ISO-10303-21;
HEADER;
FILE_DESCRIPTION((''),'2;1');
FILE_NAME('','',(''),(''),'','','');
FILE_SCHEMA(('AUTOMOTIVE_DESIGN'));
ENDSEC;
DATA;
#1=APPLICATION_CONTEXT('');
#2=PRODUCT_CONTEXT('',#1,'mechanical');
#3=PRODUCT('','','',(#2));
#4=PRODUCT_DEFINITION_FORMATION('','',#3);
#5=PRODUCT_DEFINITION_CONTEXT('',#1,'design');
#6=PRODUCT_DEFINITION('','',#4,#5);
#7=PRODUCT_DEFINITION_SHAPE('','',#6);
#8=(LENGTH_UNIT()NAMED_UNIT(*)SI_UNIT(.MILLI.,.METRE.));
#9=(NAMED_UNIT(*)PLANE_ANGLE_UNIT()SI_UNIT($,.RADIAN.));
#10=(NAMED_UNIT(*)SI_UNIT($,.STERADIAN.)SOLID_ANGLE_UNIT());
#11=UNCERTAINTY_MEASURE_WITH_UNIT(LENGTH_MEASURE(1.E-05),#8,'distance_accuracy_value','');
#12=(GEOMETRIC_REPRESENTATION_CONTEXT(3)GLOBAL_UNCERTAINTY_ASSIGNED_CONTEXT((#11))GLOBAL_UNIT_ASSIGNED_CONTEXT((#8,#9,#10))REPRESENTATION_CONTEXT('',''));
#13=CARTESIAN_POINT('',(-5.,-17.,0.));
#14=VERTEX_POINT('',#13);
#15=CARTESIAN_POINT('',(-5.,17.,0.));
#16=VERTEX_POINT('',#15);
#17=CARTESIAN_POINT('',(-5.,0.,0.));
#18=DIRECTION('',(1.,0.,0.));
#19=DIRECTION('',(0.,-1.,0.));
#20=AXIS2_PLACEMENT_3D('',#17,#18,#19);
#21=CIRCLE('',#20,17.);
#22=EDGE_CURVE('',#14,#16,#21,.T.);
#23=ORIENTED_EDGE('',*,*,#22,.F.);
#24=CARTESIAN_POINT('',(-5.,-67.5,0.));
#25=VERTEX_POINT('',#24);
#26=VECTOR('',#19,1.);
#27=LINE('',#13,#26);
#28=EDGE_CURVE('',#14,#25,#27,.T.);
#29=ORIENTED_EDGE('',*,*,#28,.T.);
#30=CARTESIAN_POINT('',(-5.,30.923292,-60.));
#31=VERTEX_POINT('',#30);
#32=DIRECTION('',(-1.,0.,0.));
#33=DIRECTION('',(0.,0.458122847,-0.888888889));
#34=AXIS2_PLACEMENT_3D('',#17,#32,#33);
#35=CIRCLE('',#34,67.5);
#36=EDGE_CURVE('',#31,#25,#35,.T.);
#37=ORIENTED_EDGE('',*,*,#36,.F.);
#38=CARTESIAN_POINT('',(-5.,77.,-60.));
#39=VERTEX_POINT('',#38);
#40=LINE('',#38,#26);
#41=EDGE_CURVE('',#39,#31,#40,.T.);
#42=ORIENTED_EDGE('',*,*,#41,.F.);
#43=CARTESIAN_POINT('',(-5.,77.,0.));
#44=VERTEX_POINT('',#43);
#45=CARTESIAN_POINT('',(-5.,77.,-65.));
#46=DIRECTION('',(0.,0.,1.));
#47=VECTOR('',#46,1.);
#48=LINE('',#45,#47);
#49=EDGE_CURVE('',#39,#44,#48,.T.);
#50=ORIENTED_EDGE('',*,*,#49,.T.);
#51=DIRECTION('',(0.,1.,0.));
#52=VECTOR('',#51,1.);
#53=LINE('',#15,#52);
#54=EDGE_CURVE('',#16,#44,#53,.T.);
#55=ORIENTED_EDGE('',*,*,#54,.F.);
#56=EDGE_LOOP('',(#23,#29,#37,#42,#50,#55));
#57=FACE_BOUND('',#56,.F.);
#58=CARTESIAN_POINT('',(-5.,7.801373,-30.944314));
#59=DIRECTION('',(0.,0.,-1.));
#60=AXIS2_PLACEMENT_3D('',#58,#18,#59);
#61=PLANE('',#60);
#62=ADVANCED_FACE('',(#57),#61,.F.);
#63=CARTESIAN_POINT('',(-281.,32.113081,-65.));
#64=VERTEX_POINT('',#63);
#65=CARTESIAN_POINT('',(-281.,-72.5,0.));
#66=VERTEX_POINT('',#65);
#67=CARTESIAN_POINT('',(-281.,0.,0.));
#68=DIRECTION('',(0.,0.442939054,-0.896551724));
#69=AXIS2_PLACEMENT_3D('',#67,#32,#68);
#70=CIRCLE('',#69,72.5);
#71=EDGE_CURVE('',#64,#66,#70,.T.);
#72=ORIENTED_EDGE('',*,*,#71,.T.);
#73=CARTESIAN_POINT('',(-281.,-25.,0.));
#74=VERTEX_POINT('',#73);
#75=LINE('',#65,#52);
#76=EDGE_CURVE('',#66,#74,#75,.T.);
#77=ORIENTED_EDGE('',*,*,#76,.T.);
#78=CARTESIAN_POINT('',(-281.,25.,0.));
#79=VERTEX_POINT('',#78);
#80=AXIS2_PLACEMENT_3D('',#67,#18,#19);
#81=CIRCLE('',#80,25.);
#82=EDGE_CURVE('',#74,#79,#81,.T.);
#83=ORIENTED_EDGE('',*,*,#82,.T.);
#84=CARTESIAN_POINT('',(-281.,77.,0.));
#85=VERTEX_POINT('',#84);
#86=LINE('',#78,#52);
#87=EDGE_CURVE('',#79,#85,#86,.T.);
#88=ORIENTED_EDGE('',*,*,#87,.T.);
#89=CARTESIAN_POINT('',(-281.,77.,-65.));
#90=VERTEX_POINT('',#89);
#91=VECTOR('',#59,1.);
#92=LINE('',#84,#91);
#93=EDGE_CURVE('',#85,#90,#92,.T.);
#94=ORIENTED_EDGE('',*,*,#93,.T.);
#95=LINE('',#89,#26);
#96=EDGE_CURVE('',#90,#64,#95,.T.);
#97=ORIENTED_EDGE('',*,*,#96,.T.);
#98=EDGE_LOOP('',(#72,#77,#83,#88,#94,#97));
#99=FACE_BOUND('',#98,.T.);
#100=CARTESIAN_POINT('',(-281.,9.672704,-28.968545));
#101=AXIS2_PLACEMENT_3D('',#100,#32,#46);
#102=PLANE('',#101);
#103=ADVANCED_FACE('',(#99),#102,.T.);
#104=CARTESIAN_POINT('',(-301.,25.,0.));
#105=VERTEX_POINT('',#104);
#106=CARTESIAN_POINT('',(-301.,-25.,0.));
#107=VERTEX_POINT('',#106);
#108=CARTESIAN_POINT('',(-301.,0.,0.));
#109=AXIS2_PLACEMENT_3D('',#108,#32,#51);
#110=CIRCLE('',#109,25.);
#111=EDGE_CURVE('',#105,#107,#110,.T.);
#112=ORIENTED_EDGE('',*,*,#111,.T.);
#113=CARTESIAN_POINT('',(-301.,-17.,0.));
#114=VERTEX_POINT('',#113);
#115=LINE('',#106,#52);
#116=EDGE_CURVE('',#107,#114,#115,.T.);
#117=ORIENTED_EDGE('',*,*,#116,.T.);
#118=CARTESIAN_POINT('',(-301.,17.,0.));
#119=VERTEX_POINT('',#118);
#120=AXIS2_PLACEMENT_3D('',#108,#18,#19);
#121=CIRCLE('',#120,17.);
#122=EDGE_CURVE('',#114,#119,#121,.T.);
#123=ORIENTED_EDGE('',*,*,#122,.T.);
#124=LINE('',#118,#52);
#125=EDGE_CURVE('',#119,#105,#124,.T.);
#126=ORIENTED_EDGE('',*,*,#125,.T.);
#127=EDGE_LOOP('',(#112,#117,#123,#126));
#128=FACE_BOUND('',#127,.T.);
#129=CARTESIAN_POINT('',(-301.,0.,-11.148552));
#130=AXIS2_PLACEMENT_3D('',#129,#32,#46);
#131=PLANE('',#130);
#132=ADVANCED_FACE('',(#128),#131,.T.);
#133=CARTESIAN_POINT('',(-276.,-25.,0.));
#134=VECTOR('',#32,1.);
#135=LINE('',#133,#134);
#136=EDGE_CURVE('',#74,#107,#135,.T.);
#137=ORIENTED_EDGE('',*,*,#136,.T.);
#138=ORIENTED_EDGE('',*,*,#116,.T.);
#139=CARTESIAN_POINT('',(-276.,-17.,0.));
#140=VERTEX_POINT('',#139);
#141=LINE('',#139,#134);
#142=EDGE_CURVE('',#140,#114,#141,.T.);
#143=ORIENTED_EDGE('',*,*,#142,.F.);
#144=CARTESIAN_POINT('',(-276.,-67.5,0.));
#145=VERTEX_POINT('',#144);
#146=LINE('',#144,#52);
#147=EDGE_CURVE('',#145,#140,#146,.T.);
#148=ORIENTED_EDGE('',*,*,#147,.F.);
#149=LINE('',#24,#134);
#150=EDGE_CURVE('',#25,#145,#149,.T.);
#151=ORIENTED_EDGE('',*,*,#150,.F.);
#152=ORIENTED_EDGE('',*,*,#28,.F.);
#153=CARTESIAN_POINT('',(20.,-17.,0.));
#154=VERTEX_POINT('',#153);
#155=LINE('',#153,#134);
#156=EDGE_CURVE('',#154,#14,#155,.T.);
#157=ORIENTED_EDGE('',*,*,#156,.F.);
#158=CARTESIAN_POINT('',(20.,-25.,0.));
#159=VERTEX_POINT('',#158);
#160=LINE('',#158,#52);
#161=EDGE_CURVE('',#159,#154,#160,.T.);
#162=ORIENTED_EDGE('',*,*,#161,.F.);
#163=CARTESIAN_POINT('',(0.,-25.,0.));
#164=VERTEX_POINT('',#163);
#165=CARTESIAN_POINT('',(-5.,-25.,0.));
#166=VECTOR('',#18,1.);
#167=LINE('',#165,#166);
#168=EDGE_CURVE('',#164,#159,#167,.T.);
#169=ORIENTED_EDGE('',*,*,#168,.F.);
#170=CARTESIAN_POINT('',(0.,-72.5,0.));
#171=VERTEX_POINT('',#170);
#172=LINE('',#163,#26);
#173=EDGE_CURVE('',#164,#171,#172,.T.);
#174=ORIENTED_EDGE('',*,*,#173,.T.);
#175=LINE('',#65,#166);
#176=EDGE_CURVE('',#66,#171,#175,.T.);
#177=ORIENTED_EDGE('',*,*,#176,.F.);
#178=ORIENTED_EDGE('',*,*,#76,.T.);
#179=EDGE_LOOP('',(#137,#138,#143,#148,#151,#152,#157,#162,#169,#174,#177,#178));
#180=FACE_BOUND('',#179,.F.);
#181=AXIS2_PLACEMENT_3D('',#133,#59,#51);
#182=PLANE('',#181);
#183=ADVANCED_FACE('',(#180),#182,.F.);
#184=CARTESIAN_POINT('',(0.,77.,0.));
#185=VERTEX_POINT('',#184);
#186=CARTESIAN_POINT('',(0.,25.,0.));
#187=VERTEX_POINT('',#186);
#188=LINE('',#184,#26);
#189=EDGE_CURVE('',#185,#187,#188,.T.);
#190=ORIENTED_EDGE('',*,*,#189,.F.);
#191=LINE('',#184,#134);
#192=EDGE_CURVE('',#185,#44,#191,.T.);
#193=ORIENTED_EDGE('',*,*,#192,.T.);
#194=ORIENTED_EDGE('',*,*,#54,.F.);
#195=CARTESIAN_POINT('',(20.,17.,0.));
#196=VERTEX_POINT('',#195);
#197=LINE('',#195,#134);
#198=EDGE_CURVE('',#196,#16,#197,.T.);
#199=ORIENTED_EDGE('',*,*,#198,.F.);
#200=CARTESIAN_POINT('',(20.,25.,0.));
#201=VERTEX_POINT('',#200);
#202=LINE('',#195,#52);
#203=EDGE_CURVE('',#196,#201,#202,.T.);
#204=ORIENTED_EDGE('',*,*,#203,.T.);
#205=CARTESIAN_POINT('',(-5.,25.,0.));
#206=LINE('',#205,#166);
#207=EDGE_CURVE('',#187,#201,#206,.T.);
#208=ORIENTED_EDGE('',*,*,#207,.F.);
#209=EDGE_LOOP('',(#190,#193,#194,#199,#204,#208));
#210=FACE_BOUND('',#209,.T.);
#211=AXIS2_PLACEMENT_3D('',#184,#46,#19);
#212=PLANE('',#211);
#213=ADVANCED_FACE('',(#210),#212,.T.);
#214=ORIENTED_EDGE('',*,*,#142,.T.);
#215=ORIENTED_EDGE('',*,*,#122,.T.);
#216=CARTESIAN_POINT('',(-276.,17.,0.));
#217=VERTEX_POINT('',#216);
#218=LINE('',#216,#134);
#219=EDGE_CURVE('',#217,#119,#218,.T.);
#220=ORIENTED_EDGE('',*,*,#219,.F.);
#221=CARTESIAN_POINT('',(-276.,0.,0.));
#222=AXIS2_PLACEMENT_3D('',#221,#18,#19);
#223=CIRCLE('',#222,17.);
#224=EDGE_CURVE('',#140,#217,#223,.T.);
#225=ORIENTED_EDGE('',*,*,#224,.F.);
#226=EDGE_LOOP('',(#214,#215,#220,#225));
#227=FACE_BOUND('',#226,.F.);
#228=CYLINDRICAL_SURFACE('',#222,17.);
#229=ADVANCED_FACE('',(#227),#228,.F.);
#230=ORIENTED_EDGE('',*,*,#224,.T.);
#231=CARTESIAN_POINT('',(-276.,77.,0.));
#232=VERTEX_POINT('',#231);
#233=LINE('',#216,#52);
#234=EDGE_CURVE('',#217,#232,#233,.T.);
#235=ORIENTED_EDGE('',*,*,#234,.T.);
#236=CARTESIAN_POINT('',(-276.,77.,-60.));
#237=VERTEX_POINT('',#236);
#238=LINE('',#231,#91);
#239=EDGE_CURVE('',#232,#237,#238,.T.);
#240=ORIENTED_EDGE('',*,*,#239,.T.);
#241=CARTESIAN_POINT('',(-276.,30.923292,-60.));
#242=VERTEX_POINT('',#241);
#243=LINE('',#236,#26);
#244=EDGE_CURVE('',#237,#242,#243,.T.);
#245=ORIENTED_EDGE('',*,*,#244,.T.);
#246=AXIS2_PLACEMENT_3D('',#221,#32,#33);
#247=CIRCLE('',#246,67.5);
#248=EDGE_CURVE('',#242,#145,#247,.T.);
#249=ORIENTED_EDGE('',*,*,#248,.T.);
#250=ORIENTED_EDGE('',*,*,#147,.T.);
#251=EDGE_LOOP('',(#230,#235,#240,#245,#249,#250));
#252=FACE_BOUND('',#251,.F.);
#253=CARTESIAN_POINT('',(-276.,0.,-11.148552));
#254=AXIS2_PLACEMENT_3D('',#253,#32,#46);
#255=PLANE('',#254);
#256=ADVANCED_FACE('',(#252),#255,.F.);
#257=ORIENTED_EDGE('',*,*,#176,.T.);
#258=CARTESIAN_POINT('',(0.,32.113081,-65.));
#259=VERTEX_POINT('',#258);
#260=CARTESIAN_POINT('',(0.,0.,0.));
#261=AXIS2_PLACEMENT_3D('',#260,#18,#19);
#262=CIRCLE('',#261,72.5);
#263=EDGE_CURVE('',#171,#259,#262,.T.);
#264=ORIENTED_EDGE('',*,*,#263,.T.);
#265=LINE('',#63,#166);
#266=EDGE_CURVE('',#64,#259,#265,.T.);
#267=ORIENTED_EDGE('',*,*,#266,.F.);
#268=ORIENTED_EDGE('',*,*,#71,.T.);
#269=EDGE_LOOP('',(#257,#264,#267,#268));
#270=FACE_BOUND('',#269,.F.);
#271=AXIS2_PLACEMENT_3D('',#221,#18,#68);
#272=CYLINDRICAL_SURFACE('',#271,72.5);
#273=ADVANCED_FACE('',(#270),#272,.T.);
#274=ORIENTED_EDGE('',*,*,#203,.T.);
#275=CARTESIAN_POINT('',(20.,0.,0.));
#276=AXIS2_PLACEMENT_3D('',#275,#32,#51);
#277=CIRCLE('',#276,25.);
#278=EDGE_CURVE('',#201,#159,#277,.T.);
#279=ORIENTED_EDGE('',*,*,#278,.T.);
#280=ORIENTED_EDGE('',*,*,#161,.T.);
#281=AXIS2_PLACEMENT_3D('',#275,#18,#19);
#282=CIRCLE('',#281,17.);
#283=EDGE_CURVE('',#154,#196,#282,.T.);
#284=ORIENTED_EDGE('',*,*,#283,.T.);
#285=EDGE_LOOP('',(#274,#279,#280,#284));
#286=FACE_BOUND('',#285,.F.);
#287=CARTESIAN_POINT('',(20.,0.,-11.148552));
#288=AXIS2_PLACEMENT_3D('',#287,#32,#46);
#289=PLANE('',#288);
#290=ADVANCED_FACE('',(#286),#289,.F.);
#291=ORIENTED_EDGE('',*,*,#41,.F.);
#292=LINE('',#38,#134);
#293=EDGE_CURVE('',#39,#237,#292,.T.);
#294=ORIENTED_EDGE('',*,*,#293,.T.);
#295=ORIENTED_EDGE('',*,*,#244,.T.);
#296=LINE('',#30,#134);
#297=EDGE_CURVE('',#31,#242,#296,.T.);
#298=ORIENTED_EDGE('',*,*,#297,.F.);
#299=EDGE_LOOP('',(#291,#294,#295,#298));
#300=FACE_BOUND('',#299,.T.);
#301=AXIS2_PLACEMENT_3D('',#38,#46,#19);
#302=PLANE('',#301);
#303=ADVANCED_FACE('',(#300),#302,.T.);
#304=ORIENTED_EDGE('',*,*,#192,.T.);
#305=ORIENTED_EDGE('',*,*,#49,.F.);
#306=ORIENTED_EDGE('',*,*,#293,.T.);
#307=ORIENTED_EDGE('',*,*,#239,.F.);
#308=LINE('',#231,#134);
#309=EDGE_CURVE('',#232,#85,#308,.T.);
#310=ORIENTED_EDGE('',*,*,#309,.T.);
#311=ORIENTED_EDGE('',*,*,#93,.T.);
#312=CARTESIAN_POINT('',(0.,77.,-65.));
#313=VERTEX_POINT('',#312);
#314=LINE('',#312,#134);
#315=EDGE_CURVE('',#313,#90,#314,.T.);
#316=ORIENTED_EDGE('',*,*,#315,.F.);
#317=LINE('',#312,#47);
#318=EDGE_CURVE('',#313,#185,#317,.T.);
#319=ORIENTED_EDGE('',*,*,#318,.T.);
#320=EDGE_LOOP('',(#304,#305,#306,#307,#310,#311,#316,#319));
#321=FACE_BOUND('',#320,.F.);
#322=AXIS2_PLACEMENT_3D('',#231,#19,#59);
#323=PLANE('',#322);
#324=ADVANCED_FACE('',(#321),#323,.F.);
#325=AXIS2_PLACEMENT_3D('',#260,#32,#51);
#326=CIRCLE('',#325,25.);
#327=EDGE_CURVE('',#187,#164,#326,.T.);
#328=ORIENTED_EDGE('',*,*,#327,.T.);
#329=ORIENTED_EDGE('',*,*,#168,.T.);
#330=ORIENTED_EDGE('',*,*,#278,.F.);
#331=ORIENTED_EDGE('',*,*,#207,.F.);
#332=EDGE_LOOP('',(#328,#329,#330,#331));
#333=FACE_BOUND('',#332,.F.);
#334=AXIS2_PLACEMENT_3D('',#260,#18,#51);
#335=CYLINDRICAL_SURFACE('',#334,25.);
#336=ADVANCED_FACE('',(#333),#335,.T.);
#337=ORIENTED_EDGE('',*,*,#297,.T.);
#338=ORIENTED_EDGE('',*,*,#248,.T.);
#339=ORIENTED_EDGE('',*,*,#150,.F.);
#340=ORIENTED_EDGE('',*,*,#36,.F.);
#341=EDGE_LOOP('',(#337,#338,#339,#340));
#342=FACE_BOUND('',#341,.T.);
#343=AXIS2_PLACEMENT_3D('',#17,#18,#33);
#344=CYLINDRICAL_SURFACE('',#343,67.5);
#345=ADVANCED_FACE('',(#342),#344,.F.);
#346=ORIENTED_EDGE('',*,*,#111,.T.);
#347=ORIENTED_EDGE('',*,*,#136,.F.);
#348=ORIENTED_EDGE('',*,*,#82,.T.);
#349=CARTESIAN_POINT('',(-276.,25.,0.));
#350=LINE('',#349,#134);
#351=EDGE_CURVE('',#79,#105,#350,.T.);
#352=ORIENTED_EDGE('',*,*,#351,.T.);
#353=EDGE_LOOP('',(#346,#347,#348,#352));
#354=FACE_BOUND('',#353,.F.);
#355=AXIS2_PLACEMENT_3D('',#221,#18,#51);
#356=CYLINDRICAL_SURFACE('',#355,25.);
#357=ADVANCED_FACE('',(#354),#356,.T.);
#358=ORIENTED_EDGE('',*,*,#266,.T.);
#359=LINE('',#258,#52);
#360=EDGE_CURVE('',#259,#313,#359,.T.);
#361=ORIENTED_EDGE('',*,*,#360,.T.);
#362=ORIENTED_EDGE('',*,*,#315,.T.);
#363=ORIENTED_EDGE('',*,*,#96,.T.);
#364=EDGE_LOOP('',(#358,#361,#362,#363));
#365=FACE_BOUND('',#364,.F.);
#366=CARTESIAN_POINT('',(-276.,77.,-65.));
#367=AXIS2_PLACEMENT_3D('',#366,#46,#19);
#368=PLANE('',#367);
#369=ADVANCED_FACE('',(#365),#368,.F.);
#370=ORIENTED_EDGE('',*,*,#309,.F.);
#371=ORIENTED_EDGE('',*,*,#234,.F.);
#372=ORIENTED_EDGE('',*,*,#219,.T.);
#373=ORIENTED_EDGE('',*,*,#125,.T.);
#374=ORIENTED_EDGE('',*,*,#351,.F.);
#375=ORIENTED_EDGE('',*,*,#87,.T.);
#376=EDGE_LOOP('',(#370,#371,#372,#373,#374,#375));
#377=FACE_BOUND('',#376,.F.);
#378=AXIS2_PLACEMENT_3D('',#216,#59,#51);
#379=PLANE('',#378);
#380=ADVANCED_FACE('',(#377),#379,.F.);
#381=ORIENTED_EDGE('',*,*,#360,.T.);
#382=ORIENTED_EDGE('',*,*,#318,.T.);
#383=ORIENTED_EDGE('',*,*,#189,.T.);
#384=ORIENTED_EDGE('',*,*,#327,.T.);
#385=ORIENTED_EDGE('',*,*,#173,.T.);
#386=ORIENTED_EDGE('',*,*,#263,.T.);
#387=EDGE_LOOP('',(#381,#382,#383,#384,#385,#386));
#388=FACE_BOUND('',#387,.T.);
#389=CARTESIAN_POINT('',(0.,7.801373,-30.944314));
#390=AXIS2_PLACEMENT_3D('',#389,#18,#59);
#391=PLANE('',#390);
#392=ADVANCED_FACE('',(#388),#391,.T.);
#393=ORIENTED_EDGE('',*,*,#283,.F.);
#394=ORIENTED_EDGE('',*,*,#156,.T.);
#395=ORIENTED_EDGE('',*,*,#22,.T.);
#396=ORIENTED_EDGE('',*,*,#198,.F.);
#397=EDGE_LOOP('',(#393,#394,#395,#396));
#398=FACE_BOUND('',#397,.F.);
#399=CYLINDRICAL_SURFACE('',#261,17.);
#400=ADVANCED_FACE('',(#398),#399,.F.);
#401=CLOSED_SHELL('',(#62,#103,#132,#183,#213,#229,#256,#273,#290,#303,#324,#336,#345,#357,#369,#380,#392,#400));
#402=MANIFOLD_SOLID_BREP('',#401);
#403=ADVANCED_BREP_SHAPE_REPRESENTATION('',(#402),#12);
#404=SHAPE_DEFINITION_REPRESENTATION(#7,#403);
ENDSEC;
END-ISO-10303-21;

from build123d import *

# Parameters (mm, degrees)
BOSS_EXTRUDE1_DEPTH      = 20
BOSS_EXTRUDE1_DEPTH_BACK = 5
BOSS_EXTRUDE2_DEPTH      = 5
BOSS_EXTRUDE3_DEPTH      = 271
BOSS_EXTRUDE4_DEPTH      = 5
BOSS_EXTRUDE5_START      = 25
BOSS_EXTRUDE5_DEPTH      = 25


with BuildPart() as part:
    # Sketch1 → Boss-Extrude1 (new, two sides: drawn at the far end of the back side and taken through both)
    with BuildSketch(Plane(origin=(0, 0, 0), x_dir=(0, 0, -1), z_dir=(1, 0, 0)).offset(-BOSS_EXTRUDE1_DEPTH_BACK)):
        with BuildLine():
            Line((0, -25), (0, -17))
            ThreePointArc((0, -17), (17, 0), (0, 17))
            Line((0, 17), (0, 25))
            ThreePointArc((0, 25), (25, 0), (0, -25))
        make_face()
    extrude(amount=BOSS_EXTRUDE1_DEPTH + BOSS_EXTRUDE1_DEPTH_BACK)



with BuildPart() as body_2:
    # Sketch1<3> → Boss-Extrude2 (new body)
    with BuildSketch(Plane(origin=(0, 0, 0), x_dir=(0, 0, -1), z_dir=(1, 0, 0))):
        with BuildLine():
            ThreePointArc((0, 25), (25, 0), (0, -25))
            Line((0, -25), (0, -72.5))
            ThreePointArc((0, -72.5), (61.581037686, -38.262590053), (65, 32.113081447))
            Line((65, 32.113081447), (65, 77))
            Line((65, 77), (0, 77))
            Line((0, 77), (0, 25))
        make_face()
    extrude(amount=-BOSS_EXTRUDE2_DEPTH)


with BuildPart() as part_1:
    add(part.part)

    add(body_2.part)  # Boss-Extrude3 merges body 2
    # Sketch3 → Boss-Extrude3 (add)
    with BuildSketch(Plane.ZY.offset(5)):
        with BuildLine():
            Line((-60, 77), (-60, 30.923292192))
            ThreePointArc((-60, 30.923292192), (-57.634938288, -35.134938288), (0, -67.5))
            Line((0, -67.5), (0, -72.5))
            ThreePointArc((0, -72.5), (-61.581037686, -38.262590053), (-65, 32.113081447))
            Line((-65, 32.113081447), (-65, 77))
            Line((-65, 77), (-60, 77))
        make_face()
    extrude(amount=BOSS_EXTRUDE3_DEPTH)

    # Sketch5 → Boss-Extrude4 (add)
    with BuildSketch(Plane.ZY.offset(276)):
        with BuildLine():
            ThreePointArc((-65, 32.113081447), (-61.581037686, -38.262590053), (0, -72.5))
            Line((0, -72.5), (0, -25))
            ThreePointArc((0, -25), (-25, 0), (0, 25))
            Line((0, 25), (0, 77))
            Line((0, 77), (-65, 77))
            Line((-65, 77), (-65, 32.113081447))
        make_face()
    extrude(amount=BOSS_EXTRUDE4_DEPTH)

    # Sketch5<4> → Boss-Extrude5 (add)
    with BuildSketch(Plane.ZY.offset(276).offset(BOSS_EXTRUDE5_START)):
        with BuildLine():
            ThreePointArc((0, 25), (-25, 0), (0, -25))
            Line((0, -25), (0, -17))
            ThreePointArc((0, -17), (-17, 0), (0, 17))
            Line((0, 17), (0, 25))
        make_face()
    extrude(amount=-BOSS_EXTRUDE5_DEPTH)


solid = part_1.part
